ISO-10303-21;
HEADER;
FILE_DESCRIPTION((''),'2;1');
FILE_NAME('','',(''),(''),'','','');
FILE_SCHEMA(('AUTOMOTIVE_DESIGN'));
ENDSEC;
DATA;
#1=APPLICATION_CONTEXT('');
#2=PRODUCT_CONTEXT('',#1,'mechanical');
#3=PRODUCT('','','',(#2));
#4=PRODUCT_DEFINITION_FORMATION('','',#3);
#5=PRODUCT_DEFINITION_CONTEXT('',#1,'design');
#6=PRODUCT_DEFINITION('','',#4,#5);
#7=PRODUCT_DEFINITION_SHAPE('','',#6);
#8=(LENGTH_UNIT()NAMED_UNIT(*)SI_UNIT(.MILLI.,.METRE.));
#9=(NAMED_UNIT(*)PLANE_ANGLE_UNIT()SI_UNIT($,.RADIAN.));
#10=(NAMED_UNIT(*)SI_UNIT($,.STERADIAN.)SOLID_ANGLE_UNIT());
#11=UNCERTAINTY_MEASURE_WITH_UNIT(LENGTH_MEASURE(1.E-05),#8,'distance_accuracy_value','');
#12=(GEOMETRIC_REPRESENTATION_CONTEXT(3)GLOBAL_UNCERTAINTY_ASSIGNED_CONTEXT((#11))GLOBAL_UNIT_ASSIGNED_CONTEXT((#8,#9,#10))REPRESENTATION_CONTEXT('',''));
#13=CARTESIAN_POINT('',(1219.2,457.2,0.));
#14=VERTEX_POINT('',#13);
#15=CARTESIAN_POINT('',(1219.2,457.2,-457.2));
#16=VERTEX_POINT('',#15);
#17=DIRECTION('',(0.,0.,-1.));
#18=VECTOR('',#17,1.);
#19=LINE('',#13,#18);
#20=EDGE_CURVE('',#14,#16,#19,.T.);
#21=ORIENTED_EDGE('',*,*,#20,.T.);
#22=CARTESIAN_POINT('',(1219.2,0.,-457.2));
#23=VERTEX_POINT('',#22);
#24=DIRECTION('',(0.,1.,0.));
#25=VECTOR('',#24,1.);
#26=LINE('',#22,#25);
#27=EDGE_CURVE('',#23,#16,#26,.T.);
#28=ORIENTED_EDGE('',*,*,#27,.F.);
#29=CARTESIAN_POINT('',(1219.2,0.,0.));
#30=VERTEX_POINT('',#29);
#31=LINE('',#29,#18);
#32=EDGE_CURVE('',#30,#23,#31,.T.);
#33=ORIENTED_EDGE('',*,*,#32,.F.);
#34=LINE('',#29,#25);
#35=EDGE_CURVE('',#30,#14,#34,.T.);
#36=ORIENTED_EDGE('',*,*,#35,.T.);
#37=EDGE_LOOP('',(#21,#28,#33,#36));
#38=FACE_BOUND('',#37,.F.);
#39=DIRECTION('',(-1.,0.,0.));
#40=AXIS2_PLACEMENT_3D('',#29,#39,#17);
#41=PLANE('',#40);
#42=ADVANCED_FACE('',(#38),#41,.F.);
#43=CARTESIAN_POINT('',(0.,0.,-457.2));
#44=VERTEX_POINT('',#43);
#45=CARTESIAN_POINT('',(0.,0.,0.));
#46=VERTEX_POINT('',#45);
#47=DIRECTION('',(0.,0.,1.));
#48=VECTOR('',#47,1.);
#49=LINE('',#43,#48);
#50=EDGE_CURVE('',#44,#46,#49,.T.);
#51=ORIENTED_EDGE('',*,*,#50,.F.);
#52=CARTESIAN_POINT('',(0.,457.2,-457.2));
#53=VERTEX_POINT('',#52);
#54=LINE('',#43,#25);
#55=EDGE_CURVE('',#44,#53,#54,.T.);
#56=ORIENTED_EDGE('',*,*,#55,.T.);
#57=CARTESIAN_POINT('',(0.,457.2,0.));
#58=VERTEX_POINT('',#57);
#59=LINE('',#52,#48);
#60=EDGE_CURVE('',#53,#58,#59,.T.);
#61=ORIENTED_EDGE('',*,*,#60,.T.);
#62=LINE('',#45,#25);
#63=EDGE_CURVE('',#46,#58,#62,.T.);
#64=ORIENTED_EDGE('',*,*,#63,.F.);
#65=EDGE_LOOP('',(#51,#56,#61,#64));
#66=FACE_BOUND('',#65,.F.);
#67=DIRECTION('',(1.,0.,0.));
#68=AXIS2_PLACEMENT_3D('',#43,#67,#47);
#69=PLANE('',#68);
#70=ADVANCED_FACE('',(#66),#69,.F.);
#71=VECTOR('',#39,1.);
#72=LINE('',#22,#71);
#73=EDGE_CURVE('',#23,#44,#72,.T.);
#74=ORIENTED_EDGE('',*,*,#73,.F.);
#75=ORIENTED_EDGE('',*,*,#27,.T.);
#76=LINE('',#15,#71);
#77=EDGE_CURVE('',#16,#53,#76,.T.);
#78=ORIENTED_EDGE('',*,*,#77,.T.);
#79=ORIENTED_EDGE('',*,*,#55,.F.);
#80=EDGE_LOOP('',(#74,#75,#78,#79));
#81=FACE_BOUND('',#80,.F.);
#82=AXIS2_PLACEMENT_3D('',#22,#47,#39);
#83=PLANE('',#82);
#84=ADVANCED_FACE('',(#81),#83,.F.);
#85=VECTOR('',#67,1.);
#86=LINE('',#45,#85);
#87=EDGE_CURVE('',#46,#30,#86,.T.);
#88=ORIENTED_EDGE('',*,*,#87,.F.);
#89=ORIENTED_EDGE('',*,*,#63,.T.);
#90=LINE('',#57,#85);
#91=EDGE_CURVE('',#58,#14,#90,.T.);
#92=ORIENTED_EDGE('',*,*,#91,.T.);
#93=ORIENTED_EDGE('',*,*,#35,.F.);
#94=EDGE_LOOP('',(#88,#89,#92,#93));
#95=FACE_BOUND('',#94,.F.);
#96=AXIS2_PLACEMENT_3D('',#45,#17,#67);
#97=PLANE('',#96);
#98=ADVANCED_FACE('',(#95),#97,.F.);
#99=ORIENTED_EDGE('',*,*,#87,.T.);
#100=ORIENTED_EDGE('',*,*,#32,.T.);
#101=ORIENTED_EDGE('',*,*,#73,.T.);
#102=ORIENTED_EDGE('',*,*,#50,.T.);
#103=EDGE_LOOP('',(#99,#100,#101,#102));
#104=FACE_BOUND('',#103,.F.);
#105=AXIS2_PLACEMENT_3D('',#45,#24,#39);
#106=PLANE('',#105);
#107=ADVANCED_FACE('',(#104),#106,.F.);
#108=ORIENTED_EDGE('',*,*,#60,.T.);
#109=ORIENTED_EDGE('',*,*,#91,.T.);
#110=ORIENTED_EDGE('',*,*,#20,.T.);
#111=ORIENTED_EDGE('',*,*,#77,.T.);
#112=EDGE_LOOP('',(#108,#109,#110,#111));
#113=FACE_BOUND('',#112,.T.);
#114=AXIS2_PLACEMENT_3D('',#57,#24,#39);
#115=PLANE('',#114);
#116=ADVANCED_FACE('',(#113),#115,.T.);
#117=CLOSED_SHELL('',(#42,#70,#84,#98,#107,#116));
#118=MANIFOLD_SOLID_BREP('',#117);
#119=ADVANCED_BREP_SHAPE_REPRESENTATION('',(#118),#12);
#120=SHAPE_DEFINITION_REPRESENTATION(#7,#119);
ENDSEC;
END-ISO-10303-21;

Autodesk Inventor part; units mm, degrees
ref_plane "YZ Plane" through (0, 0, 0) normal (1, 0, 0) x (0, 1, 0)
ref_plane "XZ Plane" through (0, 0, 0) normal (0, 1, 0) x (-1, 0, 0)
ref_plane "XY Plane" through (0, 0, 0) normal (0, 0, 1) x (1, 0, 0)
sketch "Sketch1" plane through (0, 0, 0) normal (0, 1, 0) x (-1, 0, 0)
  line L0 (0, 0) -> (-1219.2, 0)
  line L1 (-1219.2, 0) -> (-1219.2, -457.2)
  line L2 (-1219.2, -457.2) -> (0, -457.2)
  line L3 (0, -457.2) -> (0, 0)
  dimension "d0" = 1219.2
  dimension "d1" = 457.2
extrude "Extrusion1" add sketch "Sketch1" along normal blind 457.2
properties part number "Bench Typ1 - 4" material "Granite, Cut, Polished"
